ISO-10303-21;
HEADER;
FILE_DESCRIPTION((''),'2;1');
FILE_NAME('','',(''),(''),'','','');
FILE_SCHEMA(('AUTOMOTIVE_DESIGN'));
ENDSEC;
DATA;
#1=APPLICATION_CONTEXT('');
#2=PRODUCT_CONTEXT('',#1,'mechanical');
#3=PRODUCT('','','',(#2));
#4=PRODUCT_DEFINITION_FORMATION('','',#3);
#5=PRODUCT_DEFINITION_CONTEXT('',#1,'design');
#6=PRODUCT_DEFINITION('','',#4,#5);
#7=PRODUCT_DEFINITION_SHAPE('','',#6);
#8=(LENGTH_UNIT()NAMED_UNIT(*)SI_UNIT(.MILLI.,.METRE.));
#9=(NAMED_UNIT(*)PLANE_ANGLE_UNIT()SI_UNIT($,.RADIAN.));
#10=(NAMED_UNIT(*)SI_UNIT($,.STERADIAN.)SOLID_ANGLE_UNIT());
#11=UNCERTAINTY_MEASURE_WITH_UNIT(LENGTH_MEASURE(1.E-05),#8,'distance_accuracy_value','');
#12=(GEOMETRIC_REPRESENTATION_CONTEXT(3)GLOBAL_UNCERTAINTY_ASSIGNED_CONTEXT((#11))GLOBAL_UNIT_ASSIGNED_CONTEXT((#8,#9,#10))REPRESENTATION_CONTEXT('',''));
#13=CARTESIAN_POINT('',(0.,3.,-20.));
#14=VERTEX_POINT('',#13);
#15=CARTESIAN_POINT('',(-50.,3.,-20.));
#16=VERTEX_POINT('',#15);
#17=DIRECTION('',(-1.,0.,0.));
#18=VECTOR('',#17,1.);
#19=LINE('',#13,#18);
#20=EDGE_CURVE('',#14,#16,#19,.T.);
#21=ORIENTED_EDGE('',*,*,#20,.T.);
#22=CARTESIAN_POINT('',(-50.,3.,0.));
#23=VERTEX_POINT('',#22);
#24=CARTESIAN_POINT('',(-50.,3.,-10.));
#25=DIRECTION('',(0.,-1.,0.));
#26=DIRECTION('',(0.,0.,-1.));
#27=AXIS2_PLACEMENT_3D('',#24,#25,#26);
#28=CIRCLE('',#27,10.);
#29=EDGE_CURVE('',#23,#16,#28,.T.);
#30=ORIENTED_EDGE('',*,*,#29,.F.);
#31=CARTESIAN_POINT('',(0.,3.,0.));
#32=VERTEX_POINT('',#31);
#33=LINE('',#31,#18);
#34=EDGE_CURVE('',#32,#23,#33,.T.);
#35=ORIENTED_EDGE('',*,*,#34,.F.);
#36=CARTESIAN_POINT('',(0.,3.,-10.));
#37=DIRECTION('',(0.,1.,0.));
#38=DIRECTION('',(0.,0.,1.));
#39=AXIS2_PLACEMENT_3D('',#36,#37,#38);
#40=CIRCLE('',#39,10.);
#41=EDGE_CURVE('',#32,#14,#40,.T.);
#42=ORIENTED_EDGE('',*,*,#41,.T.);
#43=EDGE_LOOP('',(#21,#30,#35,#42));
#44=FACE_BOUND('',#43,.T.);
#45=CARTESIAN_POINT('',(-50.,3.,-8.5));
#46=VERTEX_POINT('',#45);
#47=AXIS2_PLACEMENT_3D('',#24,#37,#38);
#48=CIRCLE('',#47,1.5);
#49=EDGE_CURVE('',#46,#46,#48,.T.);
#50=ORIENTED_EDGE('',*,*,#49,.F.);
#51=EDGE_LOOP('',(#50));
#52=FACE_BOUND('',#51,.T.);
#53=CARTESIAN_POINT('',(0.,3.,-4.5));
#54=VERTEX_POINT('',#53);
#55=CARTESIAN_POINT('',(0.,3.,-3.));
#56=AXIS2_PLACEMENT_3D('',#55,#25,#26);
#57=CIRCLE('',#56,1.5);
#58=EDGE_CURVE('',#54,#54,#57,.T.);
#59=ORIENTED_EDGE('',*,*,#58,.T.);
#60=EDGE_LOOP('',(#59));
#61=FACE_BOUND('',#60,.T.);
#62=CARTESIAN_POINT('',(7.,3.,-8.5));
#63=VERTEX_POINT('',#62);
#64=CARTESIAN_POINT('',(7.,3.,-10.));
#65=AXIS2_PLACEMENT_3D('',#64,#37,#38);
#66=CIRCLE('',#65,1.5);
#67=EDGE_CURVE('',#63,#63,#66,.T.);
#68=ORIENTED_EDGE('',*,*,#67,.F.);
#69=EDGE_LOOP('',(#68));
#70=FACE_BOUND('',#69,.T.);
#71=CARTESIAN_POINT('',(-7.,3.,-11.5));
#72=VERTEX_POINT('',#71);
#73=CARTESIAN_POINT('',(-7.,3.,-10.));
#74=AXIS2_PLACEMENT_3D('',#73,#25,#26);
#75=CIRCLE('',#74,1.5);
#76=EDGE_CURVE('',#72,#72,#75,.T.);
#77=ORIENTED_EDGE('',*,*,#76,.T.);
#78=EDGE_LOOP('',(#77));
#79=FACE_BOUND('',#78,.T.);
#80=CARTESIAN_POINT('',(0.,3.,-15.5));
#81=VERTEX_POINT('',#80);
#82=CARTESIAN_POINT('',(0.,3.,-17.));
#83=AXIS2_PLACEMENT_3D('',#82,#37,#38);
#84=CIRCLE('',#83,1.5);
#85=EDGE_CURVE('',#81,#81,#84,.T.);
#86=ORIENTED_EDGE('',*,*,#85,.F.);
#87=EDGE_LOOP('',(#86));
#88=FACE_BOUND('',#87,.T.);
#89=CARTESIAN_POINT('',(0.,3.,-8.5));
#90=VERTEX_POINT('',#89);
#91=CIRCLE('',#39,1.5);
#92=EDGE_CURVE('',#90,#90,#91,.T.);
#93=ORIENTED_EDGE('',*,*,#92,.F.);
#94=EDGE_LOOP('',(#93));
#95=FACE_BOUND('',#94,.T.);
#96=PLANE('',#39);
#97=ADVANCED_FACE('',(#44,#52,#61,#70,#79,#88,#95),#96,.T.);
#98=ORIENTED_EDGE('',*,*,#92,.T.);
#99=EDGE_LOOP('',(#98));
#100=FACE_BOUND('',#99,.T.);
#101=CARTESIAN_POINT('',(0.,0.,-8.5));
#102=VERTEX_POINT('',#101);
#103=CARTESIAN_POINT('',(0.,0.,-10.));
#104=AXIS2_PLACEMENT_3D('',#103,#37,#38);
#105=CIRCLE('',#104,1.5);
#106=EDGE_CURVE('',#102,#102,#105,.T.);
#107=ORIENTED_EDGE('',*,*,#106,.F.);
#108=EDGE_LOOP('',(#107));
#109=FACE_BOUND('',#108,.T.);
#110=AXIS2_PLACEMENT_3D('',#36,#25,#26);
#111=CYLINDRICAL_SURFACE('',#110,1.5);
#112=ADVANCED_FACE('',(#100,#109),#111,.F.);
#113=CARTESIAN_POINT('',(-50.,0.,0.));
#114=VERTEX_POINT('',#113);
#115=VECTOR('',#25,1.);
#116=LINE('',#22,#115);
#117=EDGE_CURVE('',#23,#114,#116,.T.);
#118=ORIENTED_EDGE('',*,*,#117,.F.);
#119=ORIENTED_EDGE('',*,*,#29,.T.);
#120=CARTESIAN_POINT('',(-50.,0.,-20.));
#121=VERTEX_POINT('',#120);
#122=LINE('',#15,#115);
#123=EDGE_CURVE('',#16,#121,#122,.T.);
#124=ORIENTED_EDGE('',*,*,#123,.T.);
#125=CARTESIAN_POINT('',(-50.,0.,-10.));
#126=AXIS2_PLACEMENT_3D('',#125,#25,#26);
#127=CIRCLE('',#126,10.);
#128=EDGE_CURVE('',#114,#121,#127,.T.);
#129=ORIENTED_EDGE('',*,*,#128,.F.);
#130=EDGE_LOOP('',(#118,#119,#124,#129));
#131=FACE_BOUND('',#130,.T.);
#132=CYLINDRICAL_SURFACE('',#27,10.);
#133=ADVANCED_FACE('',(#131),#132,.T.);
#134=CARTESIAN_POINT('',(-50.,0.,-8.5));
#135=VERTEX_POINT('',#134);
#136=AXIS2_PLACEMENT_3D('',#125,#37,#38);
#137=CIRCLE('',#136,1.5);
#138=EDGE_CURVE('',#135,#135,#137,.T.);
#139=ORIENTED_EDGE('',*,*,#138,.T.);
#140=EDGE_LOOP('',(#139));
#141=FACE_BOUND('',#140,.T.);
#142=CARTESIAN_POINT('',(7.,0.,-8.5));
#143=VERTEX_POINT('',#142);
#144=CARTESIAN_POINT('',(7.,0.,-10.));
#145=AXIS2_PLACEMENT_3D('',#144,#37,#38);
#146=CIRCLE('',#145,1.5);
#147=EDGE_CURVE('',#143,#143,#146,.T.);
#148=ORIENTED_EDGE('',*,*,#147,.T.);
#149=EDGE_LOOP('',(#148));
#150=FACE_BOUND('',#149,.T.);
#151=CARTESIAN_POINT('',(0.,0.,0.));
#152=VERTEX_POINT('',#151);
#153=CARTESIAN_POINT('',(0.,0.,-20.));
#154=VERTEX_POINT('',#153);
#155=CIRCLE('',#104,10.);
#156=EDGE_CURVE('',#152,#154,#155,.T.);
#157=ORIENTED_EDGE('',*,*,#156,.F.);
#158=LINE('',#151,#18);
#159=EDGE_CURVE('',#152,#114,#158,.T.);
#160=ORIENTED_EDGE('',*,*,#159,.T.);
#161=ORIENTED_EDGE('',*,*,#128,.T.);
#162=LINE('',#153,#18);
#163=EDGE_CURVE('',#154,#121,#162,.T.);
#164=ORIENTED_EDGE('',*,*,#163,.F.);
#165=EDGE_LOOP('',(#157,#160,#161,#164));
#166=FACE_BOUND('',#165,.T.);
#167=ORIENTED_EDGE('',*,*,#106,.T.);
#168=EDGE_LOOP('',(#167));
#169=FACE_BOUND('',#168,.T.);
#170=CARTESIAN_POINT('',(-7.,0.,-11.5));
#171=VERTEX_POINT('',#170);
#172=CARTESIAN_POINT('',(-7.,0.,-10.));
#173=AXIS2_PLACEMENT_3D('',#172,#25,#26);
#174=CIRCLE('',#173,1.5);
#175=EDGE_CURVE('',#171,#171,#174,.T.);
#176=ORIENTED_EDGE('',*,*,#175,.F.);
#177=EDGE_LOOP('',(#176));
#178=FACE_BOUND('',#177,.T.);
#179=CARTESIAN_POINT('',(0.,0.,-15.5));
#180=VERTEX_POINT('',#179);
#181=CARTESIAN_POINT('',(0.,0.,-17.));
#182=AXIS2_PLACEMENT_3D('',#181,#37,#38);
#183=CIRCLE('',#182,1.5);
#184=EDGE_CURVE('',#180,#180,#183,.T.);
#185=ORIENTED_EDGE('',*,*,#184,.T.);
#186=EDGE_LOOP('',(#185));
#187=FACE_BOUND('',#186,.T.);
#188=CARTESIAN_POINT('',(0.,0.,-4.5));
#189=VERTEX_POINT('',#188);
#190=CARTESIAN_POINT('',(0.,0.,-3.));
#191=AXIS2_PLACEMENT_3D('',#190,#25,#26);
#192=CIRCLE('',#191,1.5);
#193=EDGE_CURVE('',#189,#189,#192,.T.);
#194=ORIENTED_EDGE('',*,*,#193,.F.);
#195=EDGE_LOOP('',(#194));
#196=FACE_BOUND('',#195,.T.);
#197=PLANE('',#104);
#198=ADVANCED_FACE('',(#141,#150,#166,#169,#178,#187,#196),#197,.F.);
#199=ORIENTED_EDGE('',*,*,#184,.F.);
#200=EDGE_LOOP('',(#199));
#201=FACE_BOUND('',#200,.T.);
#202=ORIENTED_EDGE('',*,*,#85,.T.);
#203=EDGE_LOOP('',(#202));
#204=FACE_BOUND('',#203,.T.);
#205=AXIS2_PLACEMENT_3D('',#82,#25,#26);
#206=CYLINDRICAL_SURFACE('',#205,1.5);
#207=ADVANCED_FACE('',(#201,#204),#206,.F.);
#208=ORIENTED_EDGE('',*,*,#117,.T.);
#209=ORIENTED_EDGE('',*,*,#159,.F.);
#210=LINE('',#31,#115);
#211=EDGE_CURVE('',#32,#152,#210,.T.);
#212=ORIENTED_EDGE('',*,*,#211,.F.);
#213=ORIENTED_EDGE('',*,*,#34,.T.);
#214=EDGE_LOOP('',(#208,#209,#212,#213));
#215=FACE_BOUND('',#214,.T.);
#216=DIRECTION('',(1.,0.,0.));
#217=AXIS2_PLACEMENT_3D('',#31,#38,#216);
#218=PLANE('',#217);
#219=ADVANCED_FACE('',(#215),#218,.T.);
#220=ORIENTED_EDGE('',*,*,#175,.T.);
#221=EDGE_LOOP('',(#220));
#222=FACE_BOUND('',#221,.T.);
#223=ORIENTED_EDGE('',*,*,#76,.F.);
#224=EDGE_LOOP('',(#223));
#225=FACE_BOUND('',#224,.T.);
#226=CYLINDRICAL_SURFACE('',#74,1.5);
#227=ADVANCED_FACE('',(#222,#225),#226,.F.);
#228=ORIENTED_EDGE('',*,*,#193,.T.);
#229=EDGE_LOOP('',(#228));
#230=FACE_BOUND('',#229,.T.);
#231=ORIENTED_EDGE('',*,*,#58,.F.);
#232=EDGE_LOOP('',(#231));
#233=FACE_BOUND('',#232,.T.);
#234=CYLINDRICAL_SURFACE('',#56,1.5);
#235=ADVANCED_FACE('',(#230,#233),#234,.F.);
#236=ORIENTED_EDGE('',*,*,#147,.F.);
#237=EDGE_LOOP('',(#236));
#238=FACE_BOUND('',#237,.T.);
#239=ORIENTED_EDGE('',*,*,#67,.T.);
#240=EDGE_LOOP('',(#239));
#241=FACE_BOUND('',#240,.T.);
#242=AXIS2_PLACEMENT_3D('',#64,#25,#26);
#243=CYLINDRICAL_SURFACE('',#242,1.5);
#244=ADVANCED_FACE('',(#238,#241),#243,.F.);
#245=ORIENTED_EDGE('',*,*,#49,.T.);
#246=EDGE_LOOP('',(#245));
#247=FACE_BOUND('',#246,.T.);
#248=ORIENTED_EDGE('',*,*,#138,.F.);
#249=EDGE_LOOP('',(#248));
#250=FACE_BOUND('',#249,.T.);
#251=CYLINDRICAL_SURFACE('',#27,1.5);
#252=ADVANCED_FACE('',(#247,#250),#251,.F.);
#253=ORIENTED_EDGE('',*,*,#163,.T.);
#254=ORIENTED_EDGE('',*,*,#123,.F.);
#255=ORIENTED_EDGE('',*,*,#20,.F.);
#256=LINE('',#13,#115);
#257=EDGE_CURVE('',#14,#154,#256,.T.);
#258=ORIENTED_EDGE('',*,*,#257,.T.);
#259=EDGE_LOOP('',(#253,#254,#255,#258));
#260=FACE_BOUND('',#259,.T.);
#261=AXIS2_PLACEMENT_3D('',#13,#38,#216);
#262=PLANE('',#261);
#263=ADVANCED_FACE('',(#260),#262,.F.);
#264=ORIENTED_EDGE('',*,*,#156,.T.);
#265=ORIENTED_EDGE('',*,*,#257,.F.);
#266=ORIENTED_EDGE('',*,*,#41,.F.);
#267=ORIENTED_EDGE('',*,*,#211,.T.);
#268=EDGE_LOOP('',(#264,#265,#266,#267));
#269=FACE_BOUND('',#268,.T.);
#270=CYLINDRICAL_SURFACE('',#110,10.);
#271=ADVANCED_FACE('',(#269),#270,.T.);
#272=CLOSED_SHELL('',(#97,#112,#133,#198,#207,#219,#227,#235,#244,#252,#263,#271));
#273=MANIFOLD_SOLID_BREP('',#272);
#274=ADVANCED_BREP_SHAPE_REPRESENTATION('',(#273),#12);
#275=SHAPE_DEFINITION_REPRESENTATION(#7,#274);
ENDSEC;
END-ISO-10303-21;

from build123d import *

# Parameters (mm, degrees)
SKETCH1_R           = 1.5
BOSS_EXTRUDE1_DEPTH = 3


with BuildPart() as part:
    # Sketch1 → Boss-Extrude1 (new body)
    with BuildSketch(Plane(origin=(0, 0, 0), x_dir=(1, 0, 0), z_dir=(0, 1, 0))):
        with BuildLine():
            Line((0, 0), (-50, 0))
            ThreePointArc((-50, 0), (-60, 10), (-50, 20))
            Line((-50, 20), (0, 20))
            ThreePointArc((0, 20), (10, 10), (0, 0))
        make_face()
        with Locations((0, 10)):
            Circle(SKETCH1_R, mode=Mode.SUBTRACT)
        with Locations((0, 17)):
            Circle(SKETCH1_R, mode=Mode.SUBTRACT)
        with Locations((0, 3)):
            Circle(SKETCH1_R, mode=Mode.SUBTRACT)
        with Locations((7, 10)):
            Circle(SKETCH1_R, mode=Mode.SUBTRACT)
        with Locations((-7, 10)):
            Circle(SKETCH1_R, mode=Mode.SUBTRACT)
        with Locations((-50, 10)):
            Circle(SKETCH1_R, mode=Mode.SUBTRACT)
    extrude(amount=BOSS_EXTRUDE1_DEPTH)


solid = part.part
